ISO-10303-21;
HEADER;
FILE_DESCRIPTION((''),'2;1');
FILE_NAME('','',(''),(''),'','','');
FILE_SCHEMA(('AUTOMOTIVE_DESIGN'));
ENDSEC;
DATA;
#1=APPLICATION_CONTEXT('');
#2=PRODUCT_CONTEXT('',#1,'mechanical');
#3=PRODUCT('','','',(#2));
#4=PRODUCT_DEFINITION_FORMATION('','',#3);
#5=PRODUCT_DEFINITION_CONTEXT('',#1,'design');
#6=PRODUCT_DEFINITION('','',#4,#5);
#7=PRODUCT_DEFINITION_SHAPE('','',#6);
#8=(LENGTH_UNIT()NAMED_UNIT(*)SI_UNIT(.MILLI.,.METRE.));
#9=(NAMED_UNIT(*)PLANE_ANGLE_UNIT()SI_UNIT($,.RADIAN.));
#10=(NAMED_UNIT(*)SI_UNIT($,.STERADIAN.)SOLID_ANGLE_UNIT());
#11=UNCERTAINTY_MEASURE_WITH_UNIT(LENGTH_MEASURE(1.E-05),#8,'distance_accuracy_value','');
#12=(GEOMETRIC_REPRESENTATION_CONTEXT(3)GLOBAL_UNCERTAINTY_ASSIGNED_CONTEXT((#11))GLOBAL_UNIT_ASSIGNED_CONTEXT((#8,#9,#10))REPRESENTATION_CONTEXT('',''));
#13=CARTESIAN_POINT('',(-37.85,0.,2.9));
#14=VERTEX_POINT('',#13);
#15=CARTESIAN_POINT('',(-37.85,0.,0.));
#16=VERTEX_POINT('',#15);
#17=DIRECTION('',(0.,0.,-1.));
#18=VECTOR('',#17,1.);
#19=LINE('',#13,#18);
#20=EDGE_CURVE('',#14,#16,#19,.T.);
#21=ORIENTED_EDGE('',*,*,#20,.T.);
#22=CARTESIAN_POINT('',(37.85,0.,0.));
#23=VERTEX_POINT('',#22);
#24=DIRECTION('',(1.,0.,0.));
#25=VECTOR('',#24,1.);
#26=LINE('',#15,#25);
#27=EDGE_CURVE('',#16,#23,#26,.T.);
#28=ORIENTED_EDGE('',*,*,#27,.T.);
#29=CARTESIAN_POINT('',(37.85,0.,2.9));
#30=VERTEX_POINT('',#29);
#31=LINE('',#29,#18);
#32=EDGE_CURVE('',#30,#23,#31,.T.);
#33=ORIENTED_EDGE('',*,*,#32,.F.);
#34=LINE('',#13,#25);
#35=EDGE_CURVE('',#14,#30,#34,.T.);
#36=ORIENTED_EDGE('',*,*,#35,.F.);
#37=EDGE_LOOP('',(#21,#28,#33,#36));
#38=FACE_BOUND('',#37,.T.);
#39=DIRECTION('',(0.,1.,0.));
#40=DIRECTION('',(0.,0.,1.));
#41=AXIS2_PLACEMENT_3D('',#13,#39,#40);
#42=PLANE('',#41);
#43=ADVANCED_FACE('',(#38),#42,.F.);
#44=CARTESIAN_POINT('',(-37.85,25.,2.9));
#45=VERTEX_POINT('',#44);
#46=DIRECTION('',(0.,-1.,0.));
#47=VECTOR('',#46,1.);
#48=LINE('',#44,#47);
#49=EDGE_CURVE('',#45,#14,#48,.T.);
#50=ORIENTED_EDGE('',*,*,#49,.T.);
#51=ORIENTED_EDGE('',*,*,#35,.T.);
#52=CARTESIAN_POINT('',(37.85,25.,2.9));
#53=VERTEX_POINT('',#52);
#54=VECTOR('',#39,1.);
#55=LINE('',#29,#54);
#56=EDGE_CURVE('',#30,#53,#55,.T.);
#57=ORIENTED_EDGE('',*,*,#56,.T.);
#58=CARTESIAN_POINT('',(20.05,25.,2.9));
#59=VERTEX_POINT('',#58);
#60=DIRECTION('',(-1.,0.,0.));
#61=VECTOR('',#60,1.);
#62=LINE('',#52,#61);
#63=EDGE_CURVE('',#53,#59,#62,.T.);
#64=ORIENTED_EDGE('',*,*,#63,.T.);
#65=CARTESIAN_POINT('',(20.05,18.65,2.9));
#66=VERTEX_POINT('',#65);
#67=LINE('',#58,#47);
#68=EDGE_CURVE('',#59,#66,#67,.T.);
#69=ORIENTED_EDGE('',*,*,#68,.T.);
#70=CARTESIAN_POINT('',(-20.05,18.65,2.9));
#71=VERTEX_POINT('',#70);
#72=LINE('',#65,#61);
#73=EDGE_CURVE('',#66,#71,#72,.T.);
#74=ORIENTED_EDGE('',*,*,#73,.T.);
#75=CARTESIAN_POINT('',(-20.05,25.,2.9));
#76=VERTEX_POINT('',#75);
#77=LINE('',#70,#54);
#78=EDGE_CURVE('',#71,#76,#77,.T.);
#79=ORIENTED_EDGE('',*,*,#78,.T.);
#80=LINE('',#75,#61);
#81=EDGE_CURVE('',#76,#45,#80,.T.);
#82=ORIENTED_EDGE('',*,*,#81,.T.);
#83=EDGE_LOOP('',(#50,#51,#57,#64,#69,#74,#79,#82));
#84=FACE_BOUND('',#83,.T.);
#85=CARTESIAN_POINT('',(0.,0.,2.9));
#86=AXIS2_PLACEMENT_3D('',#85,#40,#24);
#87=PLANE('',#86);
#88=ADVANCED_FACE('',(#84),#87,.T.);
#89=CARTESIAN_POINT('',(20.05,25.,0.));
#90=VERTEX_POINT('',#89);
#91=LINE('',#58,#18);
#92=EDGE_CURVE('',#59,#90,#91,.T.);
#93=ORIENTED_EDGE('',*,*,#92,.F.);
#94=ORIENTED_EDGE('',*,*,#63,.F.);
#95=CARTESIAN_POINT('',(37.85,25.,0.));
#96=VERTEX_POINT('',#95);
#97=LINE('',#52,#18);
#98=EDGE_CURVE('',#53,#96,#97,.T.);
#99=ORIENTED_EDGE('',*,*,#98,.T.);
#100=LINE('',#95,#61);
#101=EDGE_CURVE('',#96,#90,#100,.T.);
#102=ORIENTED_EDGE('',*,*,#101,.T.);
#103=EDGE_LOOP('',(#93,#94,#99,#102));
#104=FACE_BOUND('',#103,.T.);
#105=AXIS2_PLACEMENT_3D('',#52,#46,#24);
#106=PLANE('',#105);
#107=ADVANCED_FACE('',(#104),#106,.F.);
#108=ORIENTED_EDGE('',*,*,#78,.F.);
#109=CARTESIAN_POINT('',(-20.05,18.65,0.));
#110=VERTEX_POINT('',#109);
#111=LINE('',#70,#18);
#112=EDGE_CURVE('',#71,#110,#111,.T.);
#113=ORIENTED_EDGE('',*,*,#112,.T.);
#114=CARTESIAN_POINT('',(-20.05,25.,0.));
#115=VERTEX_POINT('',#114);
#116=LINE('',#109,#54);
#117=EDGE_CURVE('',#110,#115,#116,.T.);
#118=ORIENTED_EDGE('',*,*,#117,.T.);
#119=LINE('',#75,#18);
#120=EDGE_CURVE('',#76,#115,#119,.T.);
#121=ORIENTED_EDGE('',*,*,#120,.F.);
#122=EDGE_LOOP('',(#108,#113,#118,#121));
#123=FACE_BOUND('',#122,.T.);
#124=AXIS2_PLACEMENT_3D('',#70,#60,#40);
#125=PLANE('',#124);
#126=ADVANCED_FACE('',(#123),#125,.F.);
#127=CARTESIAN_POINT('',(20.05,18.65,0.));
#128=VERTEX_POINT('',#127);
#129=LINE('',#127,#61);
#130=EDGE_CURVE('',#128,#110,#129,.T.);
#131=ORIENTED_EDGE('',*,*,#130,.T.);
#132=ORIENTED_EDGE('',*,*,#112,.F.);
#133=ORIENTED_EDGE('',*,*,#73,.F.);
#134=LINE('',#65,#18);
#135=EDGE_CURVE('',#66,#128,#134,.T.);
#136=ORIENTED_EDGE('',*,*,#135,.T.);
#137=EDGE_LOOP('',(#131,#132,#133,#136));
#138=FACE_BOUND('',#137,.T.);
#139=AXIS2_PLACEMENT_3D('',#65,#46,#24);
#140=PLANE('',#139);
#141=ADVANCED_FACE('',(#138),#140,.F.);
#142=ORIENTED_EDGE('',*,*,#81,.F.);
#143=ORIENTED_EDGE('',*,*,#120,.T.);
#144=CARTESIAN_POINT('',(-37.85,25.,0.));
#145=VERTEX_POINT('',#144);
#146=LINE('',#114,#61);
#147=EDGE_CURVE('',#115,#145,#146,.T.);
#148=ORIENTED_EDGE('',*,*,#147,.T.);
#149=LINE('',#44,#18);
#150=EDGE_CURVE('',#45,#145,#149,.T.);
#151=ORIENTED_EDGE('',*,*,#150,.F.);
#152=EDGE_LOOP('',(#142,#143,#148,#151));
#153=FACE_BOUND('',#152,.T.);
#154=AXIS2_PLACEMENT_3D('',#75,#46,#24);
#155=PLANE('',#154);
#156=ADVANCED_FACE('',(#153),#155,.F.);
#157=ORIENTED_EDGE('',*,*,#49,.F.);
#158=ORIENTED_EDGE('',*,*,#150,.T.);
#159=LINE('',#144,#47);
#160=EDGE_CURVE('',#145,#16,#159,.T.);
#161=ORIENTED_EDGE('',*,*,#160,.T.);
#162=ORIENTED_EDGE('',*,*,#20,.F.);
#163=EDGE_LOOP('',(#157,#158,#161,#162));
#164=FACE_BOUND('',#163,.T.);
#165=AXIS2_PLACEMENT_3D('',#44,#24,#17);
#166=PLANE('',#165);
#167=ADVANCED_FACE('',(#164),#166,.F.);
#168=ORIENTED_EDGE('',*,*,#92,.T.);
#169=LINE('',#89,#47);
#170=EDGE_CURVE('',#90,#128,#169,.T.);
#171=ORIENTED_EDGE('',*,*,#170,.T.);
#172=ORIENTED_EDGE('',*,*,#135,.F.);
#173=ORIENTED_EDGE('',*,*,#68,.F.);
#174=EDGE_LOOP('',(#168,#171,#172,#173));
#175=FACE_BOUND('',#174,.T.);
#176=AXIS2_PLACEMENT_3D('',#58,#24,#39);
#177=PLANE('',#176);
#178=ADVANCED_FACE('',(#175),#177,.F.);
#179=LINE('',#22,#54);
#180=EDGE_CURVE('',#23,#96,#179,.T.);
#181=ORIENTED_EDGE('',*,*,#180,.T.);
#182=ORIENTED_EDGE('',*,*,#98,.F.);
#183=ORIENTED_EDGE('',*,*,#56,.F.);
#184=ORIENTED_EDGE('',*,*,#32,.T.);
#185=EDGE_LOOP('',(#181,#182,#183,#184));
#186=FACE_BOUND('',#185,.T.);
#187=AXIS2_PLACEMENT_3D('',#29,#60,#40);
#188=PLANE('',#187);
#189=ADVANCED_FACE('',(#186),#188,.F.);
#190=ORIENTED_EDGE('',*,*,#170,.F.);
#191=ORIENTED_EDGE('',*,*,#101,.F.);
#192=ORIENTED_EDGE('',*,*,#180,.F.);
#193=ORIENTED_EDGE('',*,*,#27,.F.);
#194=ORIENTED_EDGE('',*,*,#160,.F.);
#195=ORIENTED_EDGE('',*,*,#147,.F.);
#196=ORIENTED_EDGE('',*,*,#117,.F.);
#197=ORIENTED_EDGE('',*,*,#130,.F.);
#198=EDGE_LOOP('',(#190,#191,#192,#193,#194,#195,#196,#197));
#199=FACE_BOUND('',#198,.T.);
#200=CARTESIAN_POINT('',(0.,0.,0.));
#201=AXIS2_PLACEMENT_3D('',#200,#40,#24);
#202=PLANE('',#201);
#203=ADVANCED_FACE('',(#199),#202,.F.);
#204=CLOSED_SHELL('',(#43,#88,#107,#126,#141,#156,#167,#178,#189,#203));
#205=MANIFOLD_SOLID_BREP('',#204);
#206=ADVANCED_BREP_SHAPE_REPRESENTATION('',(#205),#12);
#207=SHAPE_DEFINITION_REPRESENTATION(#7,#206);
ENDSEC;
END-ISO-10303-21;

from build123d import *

# Parameters (mm, degrees)
BOSS_EXTRUDE1_DEPTH = 2.9


with BuildPart() as part:
    # Sketch1 → Boss-Extrude1 (new body)
    with BuildSketch(Plane.XY):
        Polygon((-37.85, 0), (37.85, 0), (37.85, 25), (20.05, 25), (20.05, 18.65), (-20.05, 18.65), (-20.05, 25), (-37.85, 25), align=None)
    extrude(amount=BOSS_EXTRUDE1_DEPTH)


solid = part.part
